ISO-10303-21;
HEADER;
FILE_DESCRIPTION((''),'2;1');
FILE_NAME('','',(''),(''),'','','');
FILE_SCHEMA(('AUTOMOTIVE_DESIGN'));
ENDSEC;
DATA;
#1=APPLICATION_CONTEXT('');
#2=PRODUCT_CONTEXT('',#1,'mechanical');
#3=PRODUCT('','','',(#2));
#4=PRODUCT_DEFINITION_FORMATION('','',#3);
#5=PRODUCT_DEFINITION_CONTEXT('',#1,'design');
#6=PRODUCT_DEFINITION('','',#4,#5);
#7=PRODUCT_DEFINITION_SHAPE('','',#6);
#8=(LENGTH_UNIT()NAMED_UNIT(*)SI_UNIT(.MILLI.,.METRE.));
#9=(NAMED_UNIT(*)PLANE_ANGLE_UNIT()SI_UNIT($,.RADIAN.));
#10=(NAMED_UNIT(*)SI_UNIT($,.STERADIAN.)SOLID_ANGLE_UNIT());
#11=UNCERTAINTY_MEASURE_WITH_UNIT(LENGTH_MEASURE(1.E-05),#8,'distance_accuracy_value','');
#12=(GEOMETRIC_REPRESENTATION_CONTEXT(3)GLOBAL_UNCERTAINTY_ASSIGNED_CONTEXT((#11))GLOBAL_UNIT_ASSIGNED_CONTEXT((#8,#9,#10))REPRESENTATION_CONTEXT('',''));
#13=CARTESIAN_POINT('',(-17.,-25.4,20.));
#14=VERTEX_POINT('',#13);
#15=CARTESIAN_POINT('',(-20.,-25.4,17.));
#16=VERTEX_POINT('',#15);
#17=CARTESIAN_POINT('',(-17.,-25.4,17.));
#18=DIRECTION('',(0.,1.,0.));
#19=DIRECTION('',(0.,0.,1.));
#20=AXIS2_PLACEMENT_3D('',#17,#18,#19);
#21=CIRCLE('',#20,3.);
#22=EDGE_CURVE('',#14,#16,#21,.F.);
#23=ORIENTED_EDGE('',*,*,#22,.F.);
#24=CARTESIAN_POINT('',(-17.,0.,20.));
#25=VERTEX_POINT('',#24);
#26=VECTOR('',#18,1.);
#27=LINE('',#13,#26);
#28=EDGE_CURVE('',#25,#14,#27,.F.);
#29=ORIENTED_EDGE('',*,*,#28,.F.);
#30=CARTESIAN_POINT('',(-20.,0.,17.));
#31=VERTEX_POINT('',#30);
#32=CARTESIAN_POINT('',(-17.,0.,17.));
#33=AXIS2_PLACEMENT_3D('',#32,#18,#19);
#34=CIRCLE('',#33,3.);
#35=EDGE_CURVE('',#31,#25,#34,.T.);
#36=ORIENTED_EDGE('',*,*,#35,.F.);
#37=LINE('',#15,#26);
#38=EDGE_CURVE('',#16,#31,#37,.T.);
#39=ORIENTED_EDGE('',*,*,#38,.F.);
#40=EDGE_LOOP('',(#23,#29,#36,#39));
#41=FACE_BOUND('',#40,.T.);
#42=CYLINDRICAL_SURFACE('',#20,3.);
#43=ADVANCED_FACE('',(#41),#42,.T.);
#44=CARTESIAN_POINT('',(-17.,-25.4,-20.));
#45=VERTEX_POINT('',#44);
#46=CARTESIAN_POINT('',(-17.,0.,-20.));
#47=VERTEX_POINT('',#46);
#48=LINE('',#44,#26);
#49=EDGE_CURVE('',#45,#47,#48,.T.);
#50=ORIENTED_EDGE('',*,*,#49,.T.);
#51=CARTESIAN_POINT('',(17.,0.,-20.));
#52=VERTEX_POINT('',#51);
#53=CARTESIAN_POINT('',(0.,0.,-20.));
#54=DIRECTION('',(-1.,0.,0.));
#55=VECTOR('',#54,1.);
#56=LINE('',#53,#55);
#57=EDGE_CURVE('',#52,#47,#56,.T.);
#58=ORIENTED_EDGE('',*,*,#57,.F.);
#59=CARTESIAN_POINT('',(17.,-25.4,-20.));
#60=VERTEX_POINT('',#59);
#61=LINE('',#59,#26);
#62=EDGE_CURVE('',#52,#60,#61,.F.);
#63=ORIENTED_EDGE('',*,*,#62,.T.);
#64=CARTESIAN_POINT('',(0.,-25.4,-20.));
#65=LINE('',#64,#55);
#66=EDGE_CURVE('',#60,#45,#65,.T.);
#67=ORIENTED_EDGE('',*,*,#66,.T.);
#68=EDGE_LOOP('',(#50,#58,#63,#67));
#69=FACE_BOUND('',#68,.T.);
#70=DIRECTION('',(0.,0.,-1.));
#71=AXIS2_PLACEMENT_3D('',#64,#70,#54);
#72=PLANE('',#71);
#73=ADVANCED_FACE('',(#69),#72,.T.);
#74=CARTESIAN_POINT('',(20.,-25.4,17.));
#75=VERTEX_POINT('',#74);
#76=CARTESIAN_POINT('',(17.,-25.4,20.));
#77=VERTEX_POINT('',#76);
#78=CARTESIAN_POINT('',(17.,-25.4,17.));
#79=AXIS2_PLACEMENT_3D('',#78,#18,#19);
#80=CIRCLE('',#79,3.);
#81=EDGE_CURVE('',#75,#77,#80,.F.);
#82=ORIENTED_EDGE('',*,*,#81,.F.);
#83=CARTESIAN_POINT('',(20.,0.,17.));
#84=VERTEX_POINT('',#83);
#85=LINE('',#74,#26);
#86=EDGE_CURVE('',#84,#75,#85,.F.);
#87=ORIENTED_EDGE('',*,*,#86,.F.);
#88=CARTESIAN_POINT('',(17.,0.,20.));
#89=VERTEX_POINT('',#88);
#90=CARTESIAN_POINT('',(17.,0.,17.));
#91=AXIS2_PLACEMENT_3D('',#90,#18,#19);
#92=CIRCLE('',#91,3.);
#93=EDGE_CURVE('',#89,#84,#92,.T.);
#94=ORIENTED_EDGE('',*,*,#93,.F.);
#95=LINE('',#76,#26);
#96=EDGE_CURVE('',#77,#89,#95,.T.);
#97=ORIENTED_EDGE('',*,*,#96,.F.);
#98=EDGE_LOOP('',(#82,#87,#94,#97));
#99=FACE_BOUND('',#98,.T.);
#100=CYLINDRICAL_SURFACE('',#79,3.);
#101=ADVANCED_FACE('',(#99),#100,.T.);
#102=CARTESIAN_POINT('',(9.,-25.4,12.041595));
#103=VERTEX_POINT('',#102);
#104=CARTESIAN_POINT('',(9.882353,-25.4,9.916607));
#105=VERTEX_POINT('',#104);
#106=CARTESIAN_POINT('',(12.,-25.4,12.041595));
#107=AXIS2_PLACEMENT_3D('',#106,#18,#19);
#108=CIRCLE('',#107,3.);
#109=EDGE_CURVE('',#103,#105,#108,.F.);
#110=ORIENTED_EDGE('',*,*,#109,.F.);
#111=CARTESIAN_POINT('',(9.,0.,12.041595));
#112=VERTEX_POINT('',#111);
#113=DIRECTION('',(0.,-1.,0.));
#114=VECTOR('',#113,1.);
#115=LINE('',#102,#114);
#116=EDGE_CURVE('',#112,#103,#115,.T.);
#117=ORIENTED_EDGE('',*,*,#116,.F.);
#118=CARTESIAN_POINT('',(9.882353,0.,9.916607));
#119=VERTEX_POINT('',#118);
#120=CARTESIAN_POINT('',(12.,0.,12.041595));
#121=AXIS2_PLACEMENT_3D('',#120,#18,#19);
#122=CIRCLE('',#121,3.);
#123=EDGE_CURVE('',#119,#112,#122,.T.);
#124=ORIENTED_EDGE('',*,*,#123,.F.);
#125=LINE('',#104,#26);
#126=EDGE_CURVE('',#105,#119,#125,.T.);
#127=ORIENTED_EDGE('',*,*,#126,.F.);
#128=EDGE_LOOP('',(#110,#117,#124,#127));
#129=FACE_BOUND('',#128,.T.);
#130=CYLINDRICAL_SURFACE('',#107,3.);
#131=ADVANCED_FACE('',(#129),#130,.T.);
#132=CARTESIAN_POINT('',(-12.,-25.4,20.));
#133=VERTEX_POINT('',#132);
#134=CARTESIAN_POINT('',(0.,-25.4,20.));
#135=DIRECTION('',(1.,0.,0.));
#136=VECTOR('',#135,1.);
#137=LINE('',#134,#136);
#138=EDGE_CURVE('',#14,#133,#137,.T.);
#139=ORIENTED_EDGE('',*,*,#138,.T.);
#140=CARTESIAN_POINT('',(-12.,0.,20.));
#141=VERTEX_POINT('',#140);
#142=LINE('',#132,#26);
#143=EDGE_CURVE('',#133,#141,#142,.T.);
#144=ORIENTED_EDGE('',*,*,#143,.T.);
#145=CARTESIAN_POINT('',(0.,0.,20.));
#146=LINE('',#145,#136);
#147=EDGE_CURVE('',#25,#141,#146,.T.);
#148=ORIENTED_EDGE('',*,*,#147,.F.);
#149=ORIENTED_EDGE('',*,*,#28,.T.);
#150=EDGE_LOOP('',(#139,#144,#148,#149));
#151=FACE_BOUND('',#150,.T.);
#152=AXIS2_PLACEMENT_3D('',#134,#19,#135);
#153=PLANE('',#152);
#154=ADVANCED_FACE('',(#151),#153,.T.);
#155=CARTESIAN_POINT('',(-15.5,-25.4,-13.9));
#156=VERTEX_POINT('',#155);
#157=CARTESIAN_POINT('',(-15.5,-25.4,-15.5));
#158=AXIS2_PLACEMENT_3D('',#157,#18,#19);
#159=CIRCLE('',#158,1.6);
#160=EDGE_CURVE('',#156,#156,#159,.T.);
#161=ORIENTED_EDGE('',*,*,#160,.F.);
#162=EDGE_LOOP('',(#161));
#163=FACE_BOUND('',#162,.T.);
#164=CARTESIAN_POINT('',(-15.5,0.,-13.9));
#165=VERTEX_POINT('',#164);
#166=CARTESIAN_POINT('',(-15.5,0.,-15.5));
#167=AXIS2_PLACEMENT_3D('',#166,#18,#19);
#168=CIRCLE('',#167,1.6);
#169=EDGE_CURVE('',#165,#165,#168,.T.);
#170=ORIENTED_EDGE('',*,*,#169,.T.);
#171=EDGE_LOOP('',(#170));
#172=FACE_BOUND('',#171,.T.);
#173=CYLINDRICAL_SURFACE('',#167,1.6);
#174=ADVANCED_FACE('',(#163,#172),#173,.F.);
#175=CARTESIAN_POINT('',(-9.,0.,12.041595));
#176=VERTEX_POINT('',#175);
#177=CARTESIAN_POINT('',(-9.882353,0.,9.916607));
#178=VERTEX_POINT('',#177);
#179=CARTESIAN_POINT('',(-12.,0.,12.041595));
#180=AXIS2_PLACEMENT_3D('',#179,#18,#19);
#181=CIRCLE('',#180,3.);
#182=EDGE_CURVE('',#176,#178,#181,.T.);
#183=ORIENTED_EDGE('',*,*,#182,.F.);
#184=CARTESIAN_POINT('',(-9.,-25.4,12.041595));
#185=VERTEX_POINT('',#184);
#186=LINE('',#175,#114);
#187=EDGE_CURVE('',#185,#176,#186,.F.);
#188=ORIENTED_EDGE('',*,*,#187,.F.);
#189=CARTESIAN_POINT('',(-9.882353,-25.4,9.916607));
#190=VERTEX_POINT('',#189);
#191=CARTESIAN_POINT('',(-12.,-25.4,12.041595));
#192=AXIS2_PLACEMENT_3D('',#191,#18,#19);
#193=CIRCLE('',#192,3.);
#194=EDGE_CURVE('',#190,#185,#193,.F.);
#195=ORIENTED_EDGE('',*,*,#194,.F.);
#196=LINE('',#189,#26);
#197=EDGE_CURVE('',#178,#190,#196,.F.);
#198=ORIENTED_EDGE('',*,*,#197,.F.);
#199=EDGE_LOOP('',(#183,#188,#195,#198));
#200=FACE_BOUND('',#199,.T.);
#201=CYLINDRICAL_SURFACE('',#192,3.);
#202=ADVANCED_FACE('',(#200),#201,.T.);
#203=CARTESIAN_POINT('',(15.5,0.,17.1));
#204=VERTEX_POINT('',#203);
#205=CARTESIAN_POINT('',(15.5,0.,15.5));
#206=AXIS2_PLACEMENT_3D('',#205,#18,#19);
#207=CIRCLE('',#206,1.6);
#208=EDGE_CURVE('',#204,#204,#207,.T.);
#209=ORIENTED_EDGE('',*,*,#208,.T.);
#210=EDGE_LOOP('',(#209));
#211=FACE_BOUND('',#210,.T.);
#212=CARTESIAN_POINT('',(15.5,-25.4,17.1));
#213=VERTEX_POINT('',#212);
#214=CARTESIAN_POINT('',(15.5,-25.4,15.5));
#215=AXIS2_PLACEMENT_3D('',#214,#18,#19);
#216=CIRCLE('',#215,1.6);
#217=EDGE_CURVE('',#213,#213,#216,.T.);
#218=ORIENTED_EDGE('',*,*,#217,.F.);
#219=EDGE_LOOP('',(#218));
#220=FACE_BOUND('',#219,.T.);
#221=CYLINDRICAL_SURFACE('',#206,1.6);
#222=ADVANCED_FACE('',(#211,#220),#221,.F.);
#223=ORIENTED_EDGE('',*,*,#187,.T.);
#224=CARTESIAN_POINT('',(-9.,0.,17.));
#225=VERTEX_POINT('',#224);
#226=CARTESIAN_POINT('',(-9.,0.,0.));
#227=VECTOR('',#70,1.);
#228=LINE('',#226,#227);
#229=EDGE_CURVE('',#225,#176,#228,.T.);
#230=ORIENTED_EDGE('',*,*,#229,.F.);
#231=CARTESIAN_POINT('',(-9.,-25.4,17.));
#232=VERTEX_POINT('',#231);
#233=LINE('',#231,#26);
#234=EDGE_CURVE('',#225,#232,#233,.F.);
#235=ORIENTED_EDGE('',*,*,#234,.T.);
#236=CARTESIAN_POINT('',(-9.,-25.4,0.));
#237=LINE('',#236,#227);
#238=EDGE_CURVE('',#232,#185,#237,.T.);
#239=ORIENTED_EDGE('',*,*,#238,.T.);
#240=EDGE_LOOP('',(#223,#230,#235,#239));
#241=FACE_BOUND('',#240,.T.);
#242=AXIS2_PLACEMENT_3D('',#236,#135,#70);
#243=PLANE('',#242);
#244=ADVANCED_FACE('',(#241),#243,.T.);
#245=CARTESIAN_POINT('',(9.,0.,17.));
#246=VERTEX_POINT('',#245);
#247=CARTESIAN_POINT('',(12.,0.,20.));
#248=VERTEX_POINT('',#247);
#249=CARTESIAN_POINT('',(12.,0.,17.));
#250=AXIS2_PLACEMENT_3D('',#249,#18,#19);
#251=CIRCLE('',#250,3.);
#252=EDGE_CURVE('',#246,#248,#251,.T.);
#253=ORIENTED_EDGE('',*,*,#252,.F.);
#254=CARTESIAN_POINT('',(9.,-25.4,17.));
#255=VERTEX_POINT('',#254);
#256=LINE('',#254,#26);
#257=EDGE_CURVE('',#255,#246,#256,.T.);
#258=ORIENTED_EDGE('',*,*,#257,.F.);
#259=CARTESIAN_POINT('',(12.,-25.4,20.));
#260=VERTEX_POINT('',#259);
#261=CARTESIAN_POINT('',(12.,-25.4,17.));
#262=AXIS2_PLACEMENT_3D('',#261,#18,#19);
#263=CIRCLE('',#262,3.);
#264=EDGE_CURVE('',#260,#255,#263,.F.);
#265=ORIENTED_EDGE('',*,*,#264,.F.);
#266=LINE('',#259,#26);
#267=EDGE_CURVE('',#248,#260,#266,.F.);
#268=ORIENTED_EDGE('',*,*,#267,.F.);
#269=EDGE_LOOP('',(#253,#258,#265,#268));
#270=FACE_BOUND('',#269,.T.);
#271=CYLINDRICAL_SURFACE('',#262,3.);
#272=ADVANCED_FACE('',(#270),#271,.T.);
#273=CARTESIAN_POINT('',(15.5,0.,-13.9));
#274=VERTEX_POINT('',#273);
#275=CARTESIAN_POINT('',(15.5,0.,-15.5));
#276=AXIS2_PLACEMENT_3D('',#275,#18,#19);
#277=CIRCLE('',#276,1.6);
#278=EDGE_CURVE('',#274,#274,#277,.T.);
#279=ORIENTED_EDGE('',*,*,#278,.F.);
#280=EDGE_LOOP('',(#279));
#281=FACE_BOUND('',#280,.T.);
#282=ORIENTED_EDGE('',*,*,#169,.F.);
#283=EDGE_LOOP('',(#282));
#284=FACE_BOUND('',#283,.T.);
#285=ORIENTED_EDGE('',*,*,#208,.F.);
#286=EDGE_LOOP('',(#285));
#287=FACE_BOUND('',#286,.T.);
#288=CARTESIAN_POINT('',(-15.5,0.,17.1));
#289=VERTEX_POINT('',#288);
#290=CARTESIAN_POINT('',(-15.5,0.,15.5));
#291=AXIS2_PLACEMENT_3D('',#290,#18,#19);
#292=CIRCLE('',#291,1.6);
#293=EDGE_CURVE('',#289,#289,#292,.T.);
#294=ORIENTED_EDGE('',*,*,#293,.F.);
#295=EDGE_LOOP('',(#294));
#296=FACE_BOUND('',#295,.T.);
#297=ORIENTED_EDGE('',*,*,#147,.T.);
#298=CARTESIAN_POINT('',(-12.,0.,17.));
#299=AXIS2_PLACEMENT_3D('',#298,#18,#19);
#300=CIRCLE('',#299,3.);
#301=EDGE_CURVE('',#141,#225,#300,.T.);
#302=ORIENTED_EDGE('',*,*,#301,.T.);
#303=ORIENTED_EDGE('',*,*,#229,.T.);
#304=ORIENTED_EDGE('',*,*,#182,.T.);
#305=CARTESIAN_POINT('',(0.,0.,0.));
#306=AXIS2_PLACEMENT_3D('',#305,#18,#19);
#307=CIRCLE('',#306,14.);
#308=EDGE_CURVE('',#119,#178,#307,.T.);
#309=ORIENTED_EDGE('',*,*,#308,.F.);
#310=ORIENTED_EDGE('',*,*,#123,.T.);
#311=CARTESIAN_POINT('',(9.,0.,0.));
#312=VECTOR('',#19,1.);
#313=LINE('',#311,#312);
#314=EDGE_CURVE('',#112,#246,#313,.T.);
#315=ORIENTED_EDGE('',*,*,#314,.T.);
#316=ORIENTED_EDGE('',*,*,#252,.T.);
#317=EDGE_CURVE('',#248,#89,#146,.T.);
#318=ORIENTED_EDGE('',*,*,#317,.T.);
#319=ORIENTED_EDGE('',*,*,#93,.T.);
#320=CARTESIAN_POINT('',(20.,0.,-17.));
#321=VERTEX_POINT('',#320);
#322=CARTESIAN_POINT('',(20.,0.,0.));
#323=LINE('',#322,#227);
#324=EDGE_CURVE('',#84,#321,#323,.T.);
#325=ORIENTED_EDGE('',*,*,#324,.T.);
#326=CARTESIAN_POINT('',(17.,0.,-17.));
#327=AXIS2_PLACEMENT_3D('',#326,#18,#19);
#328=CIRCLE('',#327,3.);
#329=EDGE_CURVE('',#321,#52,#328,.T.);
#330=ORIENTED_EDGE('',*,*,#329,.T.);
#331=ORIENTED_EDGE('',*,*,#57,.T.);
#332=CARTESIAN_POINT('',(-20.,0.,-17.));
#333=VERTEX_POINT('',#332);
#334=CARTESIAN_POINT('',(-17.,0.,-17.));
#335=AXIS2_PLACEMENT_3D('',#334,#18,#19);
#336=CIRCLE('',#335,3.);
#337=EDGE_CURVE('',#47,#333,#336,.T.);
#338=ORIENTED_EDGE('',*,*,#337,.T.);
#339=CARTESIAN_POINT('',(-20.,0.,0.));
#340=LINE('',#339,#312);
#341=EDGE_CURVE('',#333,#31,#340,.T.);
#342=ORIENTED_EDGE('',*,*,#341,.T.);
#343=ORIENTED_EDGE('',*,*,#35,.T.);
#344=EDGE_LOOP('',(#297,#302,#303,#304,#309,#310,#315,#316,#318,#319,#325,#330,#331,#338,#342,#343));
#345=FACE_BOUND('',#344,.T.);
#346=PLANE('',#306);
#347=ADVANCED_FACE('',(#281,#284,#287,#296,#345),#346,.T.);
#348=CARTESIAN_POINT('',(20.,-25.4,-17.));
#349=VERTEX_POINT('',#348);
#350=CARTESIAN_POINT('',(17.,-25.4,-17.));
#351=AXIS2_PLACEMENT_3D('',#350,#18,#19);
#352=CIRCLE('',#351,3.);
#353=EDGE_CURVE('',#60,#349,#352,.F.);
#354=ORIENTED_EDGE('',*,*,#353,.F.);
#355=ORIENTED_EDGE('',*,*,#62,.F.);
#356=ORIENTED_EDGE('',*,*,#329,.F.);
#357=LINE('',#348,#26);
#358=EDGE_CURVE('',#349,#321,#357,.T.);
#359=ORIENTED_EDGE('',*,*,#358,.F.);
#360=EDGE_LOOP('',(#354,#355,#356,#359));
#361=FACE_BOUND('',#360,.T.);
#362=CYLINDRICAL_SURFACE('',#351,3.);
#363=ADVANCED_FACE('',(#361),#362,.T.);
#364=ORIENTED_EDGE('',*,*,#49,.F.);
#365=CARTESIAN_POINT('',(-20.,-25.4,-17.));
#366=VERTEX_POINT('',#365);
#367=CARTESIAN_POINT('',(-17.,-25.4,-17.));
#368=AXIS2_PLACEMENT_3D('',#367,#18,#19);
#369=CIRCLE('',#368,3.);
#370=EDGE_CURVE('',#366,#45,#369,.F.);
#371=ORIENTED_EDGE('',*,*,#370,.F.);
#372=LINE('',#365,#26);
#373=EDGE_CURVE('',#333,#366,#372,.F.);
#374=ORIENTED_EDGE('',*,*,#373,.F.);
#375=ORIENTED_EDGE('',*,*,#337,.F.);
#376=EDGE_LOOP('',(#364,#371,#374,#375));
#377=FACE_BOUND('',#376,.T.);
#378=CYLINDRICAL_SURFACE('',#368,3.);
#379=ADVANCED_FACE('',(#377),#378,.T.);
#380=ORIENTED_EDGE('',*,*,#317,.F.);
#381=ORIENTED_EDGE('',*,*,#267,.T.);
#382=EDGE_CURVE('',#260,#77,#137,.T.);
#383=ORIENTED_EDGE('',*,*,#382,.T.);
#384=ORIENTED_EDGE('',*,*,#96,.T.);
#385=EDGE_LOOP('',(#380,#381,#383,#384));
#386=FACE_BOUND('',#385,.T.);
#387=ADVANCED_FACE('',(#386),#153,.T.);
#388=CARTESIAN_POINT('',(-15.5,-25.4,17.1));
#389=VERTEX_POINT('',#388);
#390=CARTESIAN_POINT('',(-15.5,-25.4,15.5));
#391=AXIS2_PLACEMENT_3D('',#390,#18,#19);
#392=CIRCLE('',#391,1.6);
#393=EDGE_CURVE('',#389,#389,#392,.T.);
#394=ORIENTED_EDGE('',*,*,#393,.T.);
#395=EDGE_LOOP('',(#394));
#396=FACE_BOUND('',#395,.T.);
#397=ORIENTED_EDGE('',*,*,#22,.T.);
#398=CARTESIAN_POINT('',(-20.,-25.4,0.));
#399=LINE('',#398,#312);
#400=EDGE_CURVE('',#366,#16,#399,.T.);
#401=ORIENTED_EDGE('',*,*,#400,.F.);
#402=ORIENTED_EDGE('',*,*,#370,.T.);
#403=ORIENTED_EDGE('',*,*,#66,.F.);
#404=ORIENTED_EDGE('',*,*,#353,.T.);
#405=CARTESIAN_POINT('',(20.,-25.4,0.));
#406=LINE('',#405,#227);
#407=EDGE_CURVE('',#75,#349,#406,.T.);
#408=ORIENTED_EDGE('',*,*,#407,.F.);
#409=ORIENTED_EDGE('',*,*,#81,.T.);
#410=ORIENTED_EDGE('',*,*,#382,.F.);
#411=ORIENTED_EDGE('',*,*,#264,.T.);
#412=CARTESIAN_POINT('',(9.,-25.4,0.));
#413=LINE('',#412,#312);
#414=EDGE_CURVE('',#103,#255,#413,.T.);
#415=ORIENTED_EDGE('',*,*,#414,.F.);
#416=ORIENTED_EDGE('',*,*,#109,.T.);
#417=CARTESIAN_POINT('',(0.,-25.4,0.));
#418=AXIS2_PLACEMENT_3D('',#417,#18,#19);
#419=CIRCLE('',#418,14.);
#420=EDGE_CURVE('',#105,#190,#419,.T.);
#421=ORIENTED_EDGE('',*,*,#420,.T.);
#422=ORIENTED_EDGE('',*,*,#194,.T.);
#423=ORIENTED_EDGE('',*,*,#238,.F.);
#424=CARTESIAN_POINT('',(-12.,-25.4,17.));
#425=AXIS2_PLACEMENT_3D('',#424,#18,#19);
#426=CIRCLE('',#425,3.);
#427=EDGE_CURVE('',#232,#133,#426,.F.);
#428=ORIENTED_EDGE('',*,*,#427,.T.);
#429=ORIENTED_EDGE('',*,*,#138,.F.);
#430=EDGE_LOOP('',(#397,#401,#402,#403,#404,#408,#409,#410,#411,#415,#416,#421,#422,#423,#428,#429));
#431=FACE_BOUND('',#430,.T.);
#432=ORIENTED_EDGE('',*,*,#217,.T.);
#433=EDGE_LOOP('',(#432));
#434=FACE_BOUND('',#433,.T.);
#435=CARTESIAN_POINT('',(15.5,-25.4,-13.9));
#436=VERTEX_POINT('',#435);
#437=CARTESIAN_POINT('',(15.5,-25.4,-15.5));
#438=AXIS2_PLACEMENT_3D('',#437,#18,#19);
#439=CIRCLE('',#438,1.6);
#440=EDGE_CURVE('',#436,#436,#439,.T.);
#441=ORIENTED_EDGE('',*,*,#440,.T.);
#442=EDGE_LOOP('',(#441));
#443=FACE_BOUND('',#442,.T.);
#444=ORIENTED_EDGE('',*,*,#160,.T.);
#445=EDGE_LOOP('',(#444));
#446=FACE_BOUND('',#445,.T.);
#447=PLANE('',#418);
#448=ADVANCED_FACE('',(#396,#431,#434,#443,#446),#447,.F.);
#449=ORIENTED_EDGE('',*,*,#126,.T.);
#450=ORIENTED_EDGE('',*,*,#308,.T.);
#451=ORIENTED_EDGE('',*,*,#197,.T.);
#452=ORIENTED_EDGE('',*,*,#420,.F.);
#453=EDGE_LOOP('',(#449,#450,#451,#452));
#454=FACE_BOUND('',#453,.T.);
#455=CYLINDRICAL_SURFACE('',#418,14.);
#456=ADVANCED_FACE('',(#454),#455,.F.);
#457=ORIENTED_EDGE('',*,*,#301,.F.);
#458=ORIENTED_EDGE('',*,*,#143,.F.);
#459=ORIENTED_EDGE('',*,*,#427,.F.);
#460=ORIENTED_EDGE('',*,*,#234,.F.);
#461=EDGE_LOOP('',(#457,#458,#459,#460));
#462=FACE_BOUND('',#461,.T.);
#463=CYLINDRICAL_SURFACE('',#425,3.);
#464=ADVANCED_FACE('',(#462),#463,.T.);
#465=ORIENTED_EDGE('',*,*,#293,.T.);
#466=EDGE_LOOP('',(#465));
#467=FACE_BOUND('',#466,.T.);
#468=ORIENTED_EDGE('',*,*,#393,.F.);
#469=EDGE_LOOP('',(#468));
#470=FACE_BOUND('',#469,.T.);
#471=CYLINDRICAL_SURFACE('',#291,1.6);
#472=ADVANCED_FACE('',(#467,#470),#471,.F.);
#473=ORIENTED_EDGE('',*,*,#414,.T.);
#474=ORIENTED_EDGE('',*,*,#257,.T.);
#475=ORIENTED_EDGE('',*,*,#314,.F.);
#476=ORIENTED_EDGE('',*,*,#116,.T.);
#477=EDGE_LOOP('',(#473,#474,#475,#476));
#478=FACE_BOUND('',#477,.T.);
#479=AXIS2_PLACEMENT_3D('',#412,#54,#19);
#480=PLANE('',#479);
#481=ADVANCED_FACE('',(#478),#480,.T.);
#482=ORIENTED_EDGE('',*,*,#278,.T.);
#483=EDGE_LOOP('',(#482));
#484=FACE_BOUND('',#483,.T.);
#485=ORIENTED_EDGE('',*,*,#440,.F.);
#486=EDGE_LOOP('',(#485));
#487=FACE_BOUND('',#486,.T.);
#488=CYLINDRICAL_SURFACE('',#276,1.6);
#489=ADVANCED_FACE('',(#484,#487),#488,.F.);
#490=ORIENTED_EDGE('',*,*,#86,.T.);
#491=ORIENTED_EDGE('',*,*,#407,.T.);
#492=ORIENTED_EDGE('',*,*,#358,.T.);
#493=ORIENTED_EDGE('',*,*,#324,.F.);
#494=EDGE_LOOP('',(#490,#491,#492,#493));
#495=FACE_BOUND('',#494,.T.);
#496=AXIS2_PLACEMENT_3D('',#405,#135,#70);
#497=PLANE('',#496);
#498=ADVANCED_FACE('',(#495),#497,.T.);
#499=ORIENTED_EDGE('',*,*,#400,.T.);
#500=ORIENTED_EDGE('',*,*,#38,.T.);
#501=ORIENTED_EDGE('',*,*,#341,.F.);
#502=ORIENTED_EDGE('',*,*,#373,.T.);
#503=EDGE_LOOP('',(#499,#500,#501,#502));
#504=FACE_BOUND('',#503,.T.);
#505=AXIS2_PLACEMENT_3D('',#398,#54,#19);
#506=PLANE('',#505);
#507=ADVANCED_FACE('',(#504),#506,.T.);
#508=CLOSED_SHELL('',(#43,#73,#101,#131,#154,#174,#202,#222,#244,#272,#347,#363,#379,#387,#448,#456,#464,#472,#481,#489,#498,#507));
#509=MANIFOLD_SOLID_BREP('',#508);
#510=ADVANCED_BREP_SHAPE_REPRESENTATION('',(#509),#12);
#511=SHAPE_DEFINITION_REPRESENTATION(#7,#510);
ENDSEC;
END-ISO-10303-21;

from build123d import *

# Parameters (mm, degrees)
BOSS_EXTRUDE1_DEPTH  = 25.4
M3_CLEARANCE_HOLE1_D = 3.2
FILLET1_R            = 3


with BuildPart() as part:
    # Sketch1 → Boss-Extrude1 (new body)
    with BuildSketch(Plane(origin=(0, 0, 0), x_dir=(1, 0, 0), z_dir=(0, 1, 0))):
        with BuildLine():
            Line((-20, -20), (-9, -20))
            Line((-9, -20), (-9, -10.723805295))
            ThreePointArc((-9, -10.723805295), (0, 14), (9, -10.723805295))
            Line((9, -10.723805295), (9, -20))
            Line((9, -20), (20, -20))
            Line((20, -20), (20, 20))
            Line((20, 20), (-20, 20))
            Line((-20, 20), (-20, -20))
        make_face()
    extrude(amount=-BOSS_EXTRUDE1_DEPTH)

    # M3 Clearance Hole1 (through all)
    with Locations(Plane(origin=(-15.5, 0, -15.5), x_dir=(0, 0, 1), z_dir=(0, 1, 0))):
        with Locations((0, 0), (0, 31), (31, 31), (31, 0)):
            Hole(M3_CLEARANCE_HOLE1_D / 2)

    # Fillet1
    fillet1_edges = [part.edges().sort_by_distance(p)[0] for p in [
        (-9, -12.7, 10.723805295),
        (-9, -12.7, 20),
        (-20, -12.7, 20),
        (-20, -12.7, -20),
        (20, -12.7, -20),
        (20, -12.7, 20),
        (9, -12.7, 20),
        (9, -12.7, 10.723805295),
    ]]
    fillet(fillet1_edges, radius=FILLET1_R)


solid = part.part
